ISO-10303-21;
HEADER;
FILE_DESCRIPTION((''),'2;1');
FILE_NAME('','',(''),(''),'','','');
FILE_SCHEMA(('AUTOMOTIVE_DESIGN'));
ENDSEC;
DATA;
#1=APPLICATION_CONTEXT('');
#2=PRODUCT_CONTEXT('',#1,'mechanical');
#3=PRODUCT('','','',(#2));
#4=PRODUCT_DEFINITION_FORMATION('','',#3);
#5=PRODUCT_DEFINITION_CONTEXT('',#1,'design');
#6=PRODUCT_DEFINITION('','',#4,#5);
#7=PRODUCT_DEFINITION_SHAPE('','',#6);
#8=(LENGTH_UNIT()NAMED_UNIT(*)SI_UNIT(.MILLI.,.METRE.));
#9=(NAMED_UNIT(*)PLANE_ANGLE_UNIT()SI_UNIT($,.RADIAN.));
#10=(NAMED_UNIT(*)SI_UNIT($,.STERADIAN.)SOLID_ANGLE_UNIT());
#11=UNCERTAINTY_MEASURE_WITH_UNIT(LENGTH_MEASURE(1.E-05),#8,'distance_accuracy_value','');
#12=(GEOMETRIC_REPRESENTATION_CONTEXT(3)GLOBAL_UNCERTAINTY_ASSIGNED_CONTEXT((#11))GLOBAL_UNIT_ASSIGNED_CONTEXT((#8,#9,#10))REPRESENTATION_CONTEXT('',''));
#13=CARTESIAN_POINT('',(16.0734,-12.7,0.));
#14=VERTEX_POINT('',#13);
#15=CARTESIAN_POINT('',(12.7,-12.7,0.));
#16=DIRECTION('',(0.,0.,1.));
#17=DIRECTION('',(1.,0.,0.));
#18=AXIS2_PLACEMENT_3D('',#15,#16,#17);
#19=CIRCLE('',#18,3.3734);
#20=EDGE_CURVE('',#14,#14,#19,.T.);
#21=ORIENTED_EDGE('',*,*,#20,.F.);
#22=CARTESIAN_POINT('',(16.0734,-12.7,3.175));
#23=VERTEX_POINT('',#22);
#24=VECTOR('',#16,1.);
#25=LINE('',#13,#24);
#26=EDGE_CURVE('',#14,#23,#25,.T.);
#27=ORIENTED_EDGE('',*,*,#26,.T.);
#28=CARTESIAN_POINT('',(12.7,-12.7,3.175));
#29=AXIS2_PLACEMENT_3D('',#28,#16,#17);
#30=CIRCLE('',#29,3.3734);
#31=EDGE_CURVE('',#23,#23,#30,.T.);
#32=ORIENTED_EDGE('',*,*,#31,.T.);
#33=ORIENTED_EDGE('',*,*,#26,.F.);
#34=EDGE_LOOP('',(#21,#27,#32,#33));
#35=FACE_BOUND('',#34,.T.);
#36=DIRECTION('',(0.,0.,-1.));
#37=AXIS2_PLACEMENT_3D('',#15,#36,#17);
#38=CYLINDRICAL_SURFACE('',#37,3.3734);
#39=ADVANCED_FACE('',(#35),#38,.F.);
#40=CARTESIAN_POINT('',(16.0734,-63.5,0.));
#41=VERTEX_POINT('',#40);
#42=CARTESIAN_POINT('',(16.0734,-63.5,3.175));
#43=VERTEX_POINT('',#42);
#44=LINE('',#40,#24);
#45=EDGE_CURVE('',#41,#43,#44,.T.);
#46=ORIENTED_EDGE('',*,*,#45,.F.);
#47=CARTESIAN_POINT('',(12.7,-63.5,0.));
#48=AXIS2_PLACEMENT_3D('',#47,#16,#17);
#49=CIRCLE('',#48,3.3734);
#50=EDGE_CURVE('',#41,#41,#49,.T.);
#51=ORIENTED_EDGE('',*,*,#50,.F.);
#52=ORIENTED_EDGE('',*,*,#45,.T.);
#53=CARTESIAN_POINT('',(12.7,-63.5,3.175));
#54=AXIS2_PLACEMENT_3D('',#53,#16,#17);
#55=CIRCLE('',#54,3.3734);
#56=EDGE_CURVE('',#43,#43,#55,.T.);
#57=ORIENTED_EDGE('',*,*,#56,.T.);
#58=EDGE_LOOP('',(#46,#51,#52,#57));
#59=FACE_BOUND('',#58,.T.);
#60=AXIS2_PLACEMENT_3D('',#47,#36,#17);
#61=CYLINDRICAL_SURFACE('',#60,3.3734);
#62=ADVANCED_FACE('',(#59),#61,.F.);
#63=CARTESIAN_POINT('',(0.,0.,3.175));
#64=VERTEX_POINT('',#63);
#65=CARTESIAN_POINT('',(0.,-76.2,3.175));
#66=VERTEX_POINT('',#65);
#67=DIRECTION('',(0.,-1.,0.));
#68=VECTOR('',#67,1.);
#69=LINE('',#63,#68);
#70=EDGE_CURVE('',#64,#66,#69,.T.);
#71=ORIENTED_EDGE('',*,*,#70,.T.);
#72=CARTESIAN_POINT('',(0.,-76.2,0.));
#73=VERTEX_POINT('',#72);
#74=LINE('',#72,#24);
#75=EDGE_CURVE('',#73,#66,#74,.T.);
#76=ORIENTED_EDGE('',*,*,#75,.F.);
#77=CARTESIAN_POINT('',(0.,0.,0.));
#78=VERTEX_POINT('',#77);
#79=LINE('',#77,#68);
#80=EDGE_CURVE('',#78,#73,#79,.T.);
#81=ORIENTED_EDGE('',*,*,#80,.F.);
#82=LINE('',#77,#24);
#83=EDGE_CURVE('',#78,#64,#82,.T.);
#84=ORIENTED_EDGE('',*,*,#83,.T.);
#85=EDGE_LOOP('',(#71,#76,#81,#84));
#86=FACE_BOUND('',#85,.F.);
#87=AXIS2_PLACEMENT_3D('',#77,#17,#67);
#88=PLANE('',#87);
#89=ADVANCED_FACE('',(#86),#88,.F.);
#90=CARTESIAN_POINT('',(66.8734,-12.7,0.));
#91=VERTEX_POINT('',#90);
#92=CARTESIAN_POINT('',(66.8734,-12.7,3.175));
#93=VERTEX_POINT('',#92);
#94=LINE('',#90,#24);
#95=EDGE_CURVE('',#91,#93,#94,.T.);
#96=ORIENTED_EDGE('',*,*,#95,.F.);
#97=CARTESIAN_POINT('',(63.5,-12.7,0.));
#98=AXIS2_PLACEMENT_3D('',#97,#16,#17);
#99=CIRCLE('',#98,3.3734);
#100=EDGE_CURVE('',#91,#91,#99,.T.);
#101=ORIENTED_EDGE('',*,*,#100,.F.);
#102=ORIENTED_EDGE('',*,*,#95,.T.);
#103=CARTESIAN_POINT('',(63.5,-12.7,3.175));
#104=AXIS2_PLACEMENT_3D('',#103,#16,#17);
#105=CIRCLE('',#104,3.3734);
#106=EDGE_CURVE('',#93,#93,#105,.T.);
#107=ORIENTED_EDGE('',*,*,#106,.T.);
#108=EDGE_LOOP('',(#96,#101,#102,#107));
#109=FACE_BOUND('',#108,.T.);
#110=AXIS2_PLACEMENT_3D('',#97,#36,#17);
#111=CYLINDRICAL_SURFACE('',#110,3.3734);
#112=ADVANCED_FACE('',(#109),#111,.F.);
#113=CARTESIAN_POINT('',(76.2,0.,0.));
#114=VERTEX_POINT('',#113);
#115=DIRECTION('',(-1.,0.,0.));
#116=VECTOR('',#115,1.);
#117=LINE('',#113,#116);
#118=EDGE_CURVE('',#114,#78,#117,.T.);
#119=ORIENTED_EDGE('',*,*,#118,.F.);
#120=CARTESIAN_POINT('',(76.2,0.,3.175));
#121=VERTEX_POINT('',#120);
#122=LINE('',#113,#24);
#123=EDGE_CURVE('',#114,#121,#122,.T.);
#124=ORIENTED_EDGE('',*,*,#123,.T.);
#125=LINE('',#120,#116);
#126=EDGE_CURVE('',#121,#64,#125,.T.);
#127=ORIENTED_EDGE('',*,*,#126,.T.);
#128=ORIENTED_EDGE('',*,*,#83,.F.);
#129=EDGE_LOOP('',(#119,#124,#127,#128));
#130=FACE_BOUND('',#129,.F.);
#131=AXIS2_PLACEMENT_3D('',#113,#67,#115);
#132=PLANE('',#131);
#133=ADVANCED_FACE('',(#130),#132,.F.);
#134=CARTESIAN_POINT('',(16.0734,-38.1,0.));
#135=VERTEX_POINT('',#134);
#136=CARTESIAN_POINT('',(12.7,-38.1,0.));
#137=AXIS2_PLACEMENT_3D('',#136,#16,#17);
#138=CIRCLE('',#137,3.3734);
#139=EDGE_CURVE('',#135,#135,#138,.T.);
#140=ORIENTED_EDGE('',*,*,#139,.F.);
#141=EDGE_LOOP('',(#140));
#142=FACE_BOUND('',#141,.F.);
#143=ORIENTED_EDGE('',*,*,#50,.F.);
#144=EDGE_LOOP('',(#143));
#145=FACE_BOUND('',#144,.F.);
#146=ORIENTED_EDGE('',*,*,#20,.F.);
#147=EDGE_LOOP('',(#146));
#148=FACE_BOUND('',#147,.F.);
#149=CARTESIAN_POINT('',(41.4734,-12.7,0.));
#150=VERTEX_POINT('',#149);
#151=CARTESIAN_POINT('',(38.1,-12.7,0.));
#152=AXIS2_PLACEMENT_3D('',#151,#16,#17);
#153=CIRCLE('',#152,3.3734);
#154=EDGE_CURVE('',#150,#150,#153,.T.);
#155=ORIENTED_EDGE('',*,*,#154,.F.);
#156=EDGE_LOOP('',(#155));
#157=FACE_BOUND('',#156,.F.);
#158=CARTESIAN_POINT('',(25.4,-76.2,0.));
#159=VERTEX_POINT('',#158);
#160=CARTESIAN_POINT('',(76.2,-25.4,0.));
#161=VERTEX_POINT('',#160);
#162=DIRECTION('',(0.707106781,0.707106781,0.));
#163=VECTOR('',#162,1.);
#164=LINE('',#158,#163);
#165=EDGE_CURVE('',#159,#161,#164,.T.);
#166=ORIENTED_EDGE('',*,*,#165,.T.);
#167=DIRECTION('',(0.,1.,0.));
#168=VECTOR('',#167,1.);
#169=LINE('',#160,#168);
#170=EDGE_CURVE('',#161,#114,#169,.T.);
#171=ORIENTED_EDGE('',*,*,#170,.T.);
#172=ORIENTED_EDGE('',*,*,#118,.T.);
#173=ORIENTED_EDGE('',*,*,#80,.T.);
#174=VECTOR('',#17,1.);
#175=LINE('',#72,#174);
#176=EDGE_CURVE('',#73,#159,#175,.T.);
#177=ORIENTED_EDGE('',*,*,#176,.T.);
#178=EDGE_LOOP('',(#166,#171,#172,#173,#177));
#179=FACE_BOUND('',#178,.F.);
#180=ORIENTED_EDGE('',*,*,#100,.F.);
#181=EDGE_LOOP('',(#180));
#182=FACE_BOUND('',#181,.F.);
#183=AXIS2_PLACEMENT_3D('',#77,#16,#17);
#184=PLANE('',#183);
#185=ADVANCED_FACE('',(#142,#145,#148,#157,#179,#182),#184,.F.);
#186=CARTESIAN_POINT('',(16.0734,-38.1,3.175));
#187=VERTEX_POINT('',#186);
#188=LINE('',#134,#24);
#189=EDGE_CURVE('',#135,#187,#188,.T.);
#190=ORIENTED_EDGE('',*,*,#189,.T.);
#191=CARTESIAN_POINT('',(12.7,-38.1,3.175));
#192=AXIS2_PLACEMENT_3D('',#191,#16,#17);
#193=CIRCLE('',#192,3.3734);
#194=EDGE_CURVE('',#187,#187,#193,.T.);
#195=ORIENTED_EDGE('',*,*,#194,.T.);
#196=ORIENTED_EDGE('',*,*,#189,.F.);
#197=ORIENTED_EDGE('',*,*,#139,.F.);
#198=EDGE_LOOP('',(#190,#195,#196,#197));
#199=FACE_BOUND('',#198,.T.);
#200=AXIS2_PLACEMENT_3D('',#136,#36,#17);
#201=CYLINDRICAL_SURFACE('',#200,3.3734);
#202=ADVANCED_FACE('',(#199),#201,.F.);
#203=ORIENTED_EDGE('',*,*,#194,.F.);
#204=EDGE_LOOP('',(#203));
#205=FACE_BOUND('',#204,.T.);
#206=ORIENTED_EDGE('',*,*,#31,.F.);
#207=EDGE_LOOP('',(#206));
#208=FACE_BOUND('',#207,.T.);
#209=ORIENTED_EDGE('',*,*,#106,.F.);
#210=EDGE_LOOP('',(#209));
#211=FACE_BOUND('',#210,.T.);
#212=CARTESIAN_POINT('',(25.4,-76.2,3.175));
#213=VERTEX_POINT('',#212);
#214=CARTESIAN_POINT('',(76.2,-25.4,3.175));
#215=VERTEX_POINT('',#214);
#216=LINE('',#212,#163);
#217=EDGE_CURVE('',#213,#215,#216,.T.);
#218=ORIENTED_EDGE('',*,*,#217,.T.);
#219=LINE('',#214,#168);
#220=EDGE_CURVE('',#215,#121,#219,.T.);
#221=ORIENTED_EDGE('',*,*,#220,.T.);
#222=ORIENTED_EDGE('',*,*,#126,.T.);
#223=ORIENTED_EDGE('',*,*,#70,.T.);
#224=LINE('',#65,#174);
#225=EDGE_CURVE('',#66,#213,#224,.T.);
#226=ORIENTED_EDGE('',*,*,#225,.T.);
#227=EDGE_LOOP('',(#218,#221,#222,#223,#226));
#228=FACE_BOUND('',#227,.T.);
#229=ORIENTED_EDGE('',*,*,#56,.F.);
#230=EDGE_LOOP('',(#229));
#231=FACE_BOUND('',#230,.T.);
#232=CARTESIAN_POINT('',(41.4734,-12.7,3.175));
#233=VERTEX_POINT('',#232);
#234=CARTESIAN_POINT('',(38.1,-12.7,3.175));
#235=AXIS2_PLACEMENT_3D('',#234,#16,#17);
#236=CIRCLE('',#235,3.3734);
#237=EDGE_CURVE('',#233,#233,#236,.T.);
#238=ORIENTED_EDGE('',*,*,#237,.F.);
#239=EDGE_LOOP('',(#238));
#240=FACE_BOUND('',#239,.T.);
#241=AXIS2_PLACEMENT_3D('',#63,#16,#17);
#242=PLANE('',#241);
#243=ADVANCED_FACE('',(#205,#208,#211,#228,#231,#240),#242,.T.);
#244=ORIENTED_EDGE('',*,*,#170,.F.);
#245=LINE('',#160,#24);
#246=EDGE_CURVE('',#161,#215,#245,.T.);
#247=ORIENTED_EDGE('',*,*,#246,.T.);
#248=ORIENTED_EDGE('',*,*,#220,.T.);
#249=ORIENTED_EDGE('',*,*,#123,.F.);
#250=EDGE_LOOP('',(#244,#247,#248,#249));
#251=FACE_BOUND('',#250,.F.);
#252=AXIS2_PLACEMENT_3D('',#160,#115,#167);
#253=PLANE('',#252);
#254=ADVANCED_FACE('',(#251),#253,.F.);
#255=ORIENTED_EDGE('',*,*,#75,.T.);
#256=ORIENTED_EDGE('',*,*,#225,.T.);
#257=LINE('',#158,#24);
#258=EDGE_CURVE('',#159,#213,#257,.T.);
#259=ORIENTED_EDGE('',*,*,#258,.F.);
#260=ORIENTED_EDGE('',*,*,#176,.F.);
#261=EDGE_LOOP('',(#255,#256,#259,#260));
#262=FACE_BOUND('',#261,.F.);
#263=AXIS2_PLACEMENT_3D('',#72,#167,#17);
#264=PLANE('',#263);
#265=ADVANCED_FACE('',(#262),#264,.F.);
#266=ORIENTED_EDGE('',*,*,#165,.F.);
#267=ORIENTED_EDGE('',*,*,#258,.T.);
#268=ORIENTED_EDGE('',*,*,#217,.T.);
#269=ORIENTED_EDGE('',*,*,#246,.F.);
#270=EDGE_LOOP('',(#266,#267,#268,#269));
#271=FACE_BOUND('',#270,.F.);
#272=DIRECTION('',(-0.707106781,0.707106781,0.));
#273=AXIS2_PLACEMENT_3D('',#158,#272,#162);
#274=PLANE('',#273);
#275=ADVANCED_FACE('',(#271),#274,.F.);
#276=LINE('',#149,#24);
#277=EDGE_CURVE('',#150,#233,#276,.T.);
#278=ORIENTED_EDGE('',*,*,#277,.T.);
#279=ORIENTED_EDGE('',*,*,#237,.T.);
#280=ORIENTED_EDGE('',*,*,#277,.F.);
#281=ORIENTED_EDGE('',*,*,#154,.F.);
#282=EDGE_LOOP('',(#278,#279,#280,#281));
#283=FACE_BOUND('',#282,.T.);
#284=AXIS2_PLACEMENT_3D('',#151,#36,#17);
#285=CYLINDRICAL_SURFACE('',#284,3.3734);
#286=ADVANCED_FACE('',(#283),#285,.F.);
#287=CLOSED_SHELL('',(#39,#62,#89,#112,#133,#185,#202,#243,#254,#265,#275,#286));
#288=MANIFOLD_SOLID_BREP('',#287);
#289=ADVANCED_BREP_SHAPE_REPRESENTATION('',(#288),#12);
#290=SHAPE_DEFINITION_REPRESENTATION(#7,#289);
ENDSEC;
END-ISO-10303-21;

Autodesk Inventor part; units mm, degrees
ref_plane "YZ Plane" through (0, 0, 0) normal (1, 0, 0) x (0, 1, 0)
ref_plane "XZ Plane" through (0, 0, 0) normal (0, 1, 0) x (-1, 0, 0)
ref_plane "XY Plane" through (0, 0, 0) normal (0, 0, 1) x (1, 0, 0)
sketch "Sketch1" plane through (0, 0, 0) normal (0, 0, 1) x (1, 0, 0)
  line L0 (0, 0) -> (0, -76.2)
  line L1 (0, -76.2) -> (25.4, -76.2)
  line L2 (25.4, -76.2) -> (76.2, -25.4)
  line L3 (76.2, -25.4) -> (76.2, 0)
  line L4 (76.2, 0) -> (0, 0)
  line L5 (12.7, -76.2) -> (12.7, 0) construction
  line L6 (0, -12.7) -> (76.2, -12.7) construction
  circle A0 centre (12.7, -12.7) radius 3.3734
  circle A1 centre (12.7, -38.1) radius 3.3734
  circle A2 centre (12.7, -63.5) radius 3.3734
  circle A3 centre (38.1, -12.7) radius 3.3734
  circle A4 centre (63.5, -12.7) radius 3.3734
  dimension "d0" = 76.2
  dimension "d1" = 25.4
  dimension "d2" = 12.7
  dimension "d3" = 6.7469
  dimension "d4" = 6.7469
  dimension "d5" = 6.7469
  dimension "d6" = 6.7469
  dimension "d7" = 6.7469
  dimension "d8" = 63.5
  dimension "d9" = 25.4
  dimension "d10" = 25.4
  dimension "d11" = 25.4
extrude "Extrusion1" add sketch "Sketch1" along normal blind 3.175
properties part number "gusset"
